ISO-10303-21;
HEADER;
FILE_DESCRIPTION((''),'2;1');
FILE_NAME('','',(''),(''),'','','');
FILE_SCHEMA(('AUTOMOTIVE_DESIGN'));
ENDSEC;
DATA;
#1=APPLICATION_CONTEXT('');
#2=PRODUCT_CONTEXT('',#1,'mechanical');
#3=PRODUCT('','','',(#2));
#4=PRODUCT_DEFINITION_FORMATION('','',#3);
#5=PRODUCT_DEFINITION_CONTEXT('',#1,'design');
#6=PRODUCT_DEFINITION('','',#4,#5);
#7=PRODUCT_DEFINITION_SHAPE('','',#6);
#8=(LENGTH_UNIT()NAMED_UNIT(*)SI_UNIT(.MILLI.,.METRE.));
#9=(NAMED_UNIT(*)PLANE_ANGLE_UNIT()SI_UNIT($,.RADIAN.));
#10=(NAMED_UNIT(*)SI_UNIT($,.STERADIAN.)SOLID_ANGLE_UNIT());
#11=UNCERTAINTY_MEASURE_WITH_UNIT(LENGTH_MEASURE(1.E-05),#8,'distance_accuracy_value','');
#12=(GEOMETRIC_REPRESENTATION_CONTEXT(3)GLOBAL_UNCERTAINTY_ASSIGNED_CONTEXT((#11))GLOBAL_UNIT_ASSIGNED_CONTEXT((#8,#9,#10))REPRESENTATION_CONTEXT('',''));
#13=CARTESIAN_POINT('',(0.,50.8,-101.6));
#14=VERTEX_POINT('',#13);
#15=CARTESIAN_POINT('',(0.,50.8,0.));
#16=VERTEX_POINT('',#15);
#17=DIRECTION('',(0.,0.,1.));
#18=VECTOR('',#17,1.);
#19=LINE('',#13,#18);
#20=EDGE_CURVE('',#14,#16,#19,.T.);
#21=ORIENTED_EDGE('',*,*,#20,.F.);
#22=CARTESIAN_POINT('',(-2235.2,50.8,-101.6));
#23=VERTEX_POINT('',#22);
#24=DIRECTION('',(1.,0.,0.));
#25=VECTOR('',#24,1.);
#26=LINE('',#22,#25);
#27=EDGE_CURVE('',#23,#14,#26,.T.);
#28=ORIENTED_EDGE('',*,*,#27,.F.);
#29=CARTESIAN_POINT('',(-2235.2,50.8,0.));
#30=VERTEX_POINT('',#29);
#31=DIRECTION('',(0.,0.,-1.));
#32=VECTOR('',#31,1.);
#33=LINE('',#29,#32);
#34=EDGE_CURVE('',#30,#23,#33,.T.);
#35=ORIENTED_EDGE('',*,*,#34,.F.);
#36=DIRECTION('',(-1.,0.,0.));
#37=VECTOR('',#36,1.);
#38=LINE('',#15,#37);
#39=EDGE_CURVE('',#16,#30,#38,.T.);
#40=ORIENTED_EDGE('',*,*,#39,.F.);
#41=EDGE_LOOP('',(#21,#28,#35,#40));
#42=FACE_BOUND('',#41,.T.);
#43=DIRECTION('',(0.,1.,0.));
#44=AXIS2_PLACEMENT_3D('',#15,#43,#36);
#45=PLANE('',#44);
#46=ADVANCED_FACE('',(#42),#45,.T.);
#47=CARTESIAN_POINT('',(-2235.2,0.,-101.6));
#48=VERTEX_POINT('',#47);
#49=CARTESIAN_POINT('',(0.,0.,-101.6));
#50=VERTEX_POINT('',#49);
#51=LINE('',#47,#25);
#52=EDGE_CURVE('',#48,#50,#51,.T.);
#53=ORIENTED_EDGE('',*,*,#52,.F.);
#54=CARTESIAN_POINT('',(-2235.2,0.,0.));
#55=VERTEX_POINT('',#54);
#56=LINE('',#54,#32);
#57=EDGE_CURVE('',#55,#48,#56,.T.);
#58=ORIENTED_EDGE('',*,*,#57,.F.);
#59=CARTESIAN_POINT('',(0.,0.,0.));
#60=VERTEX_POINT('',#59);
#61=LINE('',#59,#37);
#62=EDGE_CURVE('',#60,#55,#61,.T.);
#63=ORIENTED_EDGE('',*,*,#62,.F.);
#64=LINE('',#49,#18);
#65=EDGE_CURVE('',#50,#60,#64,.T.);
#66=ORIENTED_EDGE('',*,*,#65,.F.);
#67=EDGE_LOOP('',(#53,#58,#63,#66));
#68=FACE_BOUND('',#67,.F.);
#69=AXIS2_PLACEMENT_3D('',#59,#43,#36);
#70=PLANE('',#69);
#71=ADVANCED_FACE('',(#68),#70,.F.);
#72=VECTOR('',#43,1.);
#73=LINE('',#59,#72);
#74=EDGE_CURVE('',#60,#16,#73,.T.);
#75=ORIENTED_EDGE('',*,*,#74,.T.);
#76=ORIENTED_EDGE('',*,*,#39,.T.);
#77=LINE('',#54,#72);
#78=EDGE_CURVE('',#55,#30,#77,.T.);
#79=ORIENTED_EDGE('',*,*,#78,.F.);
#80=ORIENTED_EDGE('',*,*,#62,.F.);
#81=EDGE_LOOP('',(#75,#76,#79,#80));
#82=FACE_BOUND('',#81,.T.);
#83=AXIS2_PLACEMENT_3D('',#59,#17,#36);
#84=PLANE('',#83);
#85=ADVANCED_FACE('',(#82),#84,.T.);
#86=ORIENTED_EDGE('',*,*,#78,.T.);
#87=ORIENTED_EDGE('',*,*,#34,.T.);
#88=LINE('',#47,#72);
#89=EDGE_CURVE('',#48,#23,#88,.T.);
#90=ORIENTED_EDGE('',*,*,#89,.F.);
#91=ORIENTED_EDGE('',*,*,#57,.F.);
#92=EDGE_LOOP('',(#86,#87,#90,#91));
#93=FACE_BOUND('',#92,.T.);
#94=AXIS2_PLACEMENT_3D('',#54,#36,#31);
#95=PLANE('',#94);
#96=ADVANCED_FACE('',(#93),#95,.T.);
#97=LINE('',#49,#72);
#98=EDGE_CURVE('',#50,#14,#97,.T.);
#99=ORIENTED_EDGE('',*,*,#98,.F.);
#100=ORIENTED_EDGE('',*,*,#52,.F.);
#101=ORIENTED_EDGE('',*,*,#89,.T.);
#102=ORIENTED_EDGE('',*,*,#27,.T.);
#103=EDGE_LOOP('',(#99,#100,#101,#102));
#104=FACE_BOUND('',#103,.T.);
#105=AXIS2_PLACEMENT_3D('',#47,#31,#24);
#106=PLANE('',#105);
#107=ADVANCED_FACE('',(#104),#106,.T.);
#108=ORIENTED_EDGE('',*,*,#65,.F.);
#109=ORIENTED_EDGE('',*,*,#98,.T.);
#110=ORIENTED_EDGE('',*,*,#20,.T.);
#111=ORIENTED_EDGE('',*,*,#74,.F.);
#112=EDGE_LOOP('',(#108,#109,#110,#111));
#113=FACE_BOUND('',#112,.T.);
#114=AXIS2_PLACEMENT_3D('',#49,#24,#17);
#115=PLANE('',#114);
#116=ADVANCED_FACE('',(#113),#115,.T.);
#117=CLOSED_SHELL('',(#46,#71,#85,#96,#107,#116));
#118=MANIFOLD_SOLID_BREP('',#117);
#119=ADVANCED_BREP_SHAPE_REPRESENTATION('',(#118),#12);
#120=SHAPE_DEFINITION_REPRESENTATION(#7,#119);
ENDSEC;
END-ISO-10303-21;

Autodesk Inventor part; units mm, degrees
ref_plane "YZ Plane" through (0, 0, 0) normal (1, 0, 0) x (0, 1, 0)
ref_plane "XZ Plane" through (0, 0, 0) normal (0, 1, 0) x (-1, 0, 0)
ref_plane "XY Plane" through (0, 0, 0) normal (0, 0, 1) x (1, 0, 0)
sketch "Sketch1" plane through (0, 0, 0) normal (0, 1, 0) x (-1, 0, 0)
  line L0 (0, 0) -> (2235.2, 0)
  line L1 (2235.2, 0) -> (2235.2, -101.6)
  line L2 (2235.2, -101.6) -> (0, -101.6)
  line L3 (0, -101.6) -> (0, 0)
  dimension "d0" = 2235.2
  dimension "d1" = 101.6
extrude "Extrusion1" add sketch "Sketch1" along normal blind 50.8
properties part number "2x4x88"
